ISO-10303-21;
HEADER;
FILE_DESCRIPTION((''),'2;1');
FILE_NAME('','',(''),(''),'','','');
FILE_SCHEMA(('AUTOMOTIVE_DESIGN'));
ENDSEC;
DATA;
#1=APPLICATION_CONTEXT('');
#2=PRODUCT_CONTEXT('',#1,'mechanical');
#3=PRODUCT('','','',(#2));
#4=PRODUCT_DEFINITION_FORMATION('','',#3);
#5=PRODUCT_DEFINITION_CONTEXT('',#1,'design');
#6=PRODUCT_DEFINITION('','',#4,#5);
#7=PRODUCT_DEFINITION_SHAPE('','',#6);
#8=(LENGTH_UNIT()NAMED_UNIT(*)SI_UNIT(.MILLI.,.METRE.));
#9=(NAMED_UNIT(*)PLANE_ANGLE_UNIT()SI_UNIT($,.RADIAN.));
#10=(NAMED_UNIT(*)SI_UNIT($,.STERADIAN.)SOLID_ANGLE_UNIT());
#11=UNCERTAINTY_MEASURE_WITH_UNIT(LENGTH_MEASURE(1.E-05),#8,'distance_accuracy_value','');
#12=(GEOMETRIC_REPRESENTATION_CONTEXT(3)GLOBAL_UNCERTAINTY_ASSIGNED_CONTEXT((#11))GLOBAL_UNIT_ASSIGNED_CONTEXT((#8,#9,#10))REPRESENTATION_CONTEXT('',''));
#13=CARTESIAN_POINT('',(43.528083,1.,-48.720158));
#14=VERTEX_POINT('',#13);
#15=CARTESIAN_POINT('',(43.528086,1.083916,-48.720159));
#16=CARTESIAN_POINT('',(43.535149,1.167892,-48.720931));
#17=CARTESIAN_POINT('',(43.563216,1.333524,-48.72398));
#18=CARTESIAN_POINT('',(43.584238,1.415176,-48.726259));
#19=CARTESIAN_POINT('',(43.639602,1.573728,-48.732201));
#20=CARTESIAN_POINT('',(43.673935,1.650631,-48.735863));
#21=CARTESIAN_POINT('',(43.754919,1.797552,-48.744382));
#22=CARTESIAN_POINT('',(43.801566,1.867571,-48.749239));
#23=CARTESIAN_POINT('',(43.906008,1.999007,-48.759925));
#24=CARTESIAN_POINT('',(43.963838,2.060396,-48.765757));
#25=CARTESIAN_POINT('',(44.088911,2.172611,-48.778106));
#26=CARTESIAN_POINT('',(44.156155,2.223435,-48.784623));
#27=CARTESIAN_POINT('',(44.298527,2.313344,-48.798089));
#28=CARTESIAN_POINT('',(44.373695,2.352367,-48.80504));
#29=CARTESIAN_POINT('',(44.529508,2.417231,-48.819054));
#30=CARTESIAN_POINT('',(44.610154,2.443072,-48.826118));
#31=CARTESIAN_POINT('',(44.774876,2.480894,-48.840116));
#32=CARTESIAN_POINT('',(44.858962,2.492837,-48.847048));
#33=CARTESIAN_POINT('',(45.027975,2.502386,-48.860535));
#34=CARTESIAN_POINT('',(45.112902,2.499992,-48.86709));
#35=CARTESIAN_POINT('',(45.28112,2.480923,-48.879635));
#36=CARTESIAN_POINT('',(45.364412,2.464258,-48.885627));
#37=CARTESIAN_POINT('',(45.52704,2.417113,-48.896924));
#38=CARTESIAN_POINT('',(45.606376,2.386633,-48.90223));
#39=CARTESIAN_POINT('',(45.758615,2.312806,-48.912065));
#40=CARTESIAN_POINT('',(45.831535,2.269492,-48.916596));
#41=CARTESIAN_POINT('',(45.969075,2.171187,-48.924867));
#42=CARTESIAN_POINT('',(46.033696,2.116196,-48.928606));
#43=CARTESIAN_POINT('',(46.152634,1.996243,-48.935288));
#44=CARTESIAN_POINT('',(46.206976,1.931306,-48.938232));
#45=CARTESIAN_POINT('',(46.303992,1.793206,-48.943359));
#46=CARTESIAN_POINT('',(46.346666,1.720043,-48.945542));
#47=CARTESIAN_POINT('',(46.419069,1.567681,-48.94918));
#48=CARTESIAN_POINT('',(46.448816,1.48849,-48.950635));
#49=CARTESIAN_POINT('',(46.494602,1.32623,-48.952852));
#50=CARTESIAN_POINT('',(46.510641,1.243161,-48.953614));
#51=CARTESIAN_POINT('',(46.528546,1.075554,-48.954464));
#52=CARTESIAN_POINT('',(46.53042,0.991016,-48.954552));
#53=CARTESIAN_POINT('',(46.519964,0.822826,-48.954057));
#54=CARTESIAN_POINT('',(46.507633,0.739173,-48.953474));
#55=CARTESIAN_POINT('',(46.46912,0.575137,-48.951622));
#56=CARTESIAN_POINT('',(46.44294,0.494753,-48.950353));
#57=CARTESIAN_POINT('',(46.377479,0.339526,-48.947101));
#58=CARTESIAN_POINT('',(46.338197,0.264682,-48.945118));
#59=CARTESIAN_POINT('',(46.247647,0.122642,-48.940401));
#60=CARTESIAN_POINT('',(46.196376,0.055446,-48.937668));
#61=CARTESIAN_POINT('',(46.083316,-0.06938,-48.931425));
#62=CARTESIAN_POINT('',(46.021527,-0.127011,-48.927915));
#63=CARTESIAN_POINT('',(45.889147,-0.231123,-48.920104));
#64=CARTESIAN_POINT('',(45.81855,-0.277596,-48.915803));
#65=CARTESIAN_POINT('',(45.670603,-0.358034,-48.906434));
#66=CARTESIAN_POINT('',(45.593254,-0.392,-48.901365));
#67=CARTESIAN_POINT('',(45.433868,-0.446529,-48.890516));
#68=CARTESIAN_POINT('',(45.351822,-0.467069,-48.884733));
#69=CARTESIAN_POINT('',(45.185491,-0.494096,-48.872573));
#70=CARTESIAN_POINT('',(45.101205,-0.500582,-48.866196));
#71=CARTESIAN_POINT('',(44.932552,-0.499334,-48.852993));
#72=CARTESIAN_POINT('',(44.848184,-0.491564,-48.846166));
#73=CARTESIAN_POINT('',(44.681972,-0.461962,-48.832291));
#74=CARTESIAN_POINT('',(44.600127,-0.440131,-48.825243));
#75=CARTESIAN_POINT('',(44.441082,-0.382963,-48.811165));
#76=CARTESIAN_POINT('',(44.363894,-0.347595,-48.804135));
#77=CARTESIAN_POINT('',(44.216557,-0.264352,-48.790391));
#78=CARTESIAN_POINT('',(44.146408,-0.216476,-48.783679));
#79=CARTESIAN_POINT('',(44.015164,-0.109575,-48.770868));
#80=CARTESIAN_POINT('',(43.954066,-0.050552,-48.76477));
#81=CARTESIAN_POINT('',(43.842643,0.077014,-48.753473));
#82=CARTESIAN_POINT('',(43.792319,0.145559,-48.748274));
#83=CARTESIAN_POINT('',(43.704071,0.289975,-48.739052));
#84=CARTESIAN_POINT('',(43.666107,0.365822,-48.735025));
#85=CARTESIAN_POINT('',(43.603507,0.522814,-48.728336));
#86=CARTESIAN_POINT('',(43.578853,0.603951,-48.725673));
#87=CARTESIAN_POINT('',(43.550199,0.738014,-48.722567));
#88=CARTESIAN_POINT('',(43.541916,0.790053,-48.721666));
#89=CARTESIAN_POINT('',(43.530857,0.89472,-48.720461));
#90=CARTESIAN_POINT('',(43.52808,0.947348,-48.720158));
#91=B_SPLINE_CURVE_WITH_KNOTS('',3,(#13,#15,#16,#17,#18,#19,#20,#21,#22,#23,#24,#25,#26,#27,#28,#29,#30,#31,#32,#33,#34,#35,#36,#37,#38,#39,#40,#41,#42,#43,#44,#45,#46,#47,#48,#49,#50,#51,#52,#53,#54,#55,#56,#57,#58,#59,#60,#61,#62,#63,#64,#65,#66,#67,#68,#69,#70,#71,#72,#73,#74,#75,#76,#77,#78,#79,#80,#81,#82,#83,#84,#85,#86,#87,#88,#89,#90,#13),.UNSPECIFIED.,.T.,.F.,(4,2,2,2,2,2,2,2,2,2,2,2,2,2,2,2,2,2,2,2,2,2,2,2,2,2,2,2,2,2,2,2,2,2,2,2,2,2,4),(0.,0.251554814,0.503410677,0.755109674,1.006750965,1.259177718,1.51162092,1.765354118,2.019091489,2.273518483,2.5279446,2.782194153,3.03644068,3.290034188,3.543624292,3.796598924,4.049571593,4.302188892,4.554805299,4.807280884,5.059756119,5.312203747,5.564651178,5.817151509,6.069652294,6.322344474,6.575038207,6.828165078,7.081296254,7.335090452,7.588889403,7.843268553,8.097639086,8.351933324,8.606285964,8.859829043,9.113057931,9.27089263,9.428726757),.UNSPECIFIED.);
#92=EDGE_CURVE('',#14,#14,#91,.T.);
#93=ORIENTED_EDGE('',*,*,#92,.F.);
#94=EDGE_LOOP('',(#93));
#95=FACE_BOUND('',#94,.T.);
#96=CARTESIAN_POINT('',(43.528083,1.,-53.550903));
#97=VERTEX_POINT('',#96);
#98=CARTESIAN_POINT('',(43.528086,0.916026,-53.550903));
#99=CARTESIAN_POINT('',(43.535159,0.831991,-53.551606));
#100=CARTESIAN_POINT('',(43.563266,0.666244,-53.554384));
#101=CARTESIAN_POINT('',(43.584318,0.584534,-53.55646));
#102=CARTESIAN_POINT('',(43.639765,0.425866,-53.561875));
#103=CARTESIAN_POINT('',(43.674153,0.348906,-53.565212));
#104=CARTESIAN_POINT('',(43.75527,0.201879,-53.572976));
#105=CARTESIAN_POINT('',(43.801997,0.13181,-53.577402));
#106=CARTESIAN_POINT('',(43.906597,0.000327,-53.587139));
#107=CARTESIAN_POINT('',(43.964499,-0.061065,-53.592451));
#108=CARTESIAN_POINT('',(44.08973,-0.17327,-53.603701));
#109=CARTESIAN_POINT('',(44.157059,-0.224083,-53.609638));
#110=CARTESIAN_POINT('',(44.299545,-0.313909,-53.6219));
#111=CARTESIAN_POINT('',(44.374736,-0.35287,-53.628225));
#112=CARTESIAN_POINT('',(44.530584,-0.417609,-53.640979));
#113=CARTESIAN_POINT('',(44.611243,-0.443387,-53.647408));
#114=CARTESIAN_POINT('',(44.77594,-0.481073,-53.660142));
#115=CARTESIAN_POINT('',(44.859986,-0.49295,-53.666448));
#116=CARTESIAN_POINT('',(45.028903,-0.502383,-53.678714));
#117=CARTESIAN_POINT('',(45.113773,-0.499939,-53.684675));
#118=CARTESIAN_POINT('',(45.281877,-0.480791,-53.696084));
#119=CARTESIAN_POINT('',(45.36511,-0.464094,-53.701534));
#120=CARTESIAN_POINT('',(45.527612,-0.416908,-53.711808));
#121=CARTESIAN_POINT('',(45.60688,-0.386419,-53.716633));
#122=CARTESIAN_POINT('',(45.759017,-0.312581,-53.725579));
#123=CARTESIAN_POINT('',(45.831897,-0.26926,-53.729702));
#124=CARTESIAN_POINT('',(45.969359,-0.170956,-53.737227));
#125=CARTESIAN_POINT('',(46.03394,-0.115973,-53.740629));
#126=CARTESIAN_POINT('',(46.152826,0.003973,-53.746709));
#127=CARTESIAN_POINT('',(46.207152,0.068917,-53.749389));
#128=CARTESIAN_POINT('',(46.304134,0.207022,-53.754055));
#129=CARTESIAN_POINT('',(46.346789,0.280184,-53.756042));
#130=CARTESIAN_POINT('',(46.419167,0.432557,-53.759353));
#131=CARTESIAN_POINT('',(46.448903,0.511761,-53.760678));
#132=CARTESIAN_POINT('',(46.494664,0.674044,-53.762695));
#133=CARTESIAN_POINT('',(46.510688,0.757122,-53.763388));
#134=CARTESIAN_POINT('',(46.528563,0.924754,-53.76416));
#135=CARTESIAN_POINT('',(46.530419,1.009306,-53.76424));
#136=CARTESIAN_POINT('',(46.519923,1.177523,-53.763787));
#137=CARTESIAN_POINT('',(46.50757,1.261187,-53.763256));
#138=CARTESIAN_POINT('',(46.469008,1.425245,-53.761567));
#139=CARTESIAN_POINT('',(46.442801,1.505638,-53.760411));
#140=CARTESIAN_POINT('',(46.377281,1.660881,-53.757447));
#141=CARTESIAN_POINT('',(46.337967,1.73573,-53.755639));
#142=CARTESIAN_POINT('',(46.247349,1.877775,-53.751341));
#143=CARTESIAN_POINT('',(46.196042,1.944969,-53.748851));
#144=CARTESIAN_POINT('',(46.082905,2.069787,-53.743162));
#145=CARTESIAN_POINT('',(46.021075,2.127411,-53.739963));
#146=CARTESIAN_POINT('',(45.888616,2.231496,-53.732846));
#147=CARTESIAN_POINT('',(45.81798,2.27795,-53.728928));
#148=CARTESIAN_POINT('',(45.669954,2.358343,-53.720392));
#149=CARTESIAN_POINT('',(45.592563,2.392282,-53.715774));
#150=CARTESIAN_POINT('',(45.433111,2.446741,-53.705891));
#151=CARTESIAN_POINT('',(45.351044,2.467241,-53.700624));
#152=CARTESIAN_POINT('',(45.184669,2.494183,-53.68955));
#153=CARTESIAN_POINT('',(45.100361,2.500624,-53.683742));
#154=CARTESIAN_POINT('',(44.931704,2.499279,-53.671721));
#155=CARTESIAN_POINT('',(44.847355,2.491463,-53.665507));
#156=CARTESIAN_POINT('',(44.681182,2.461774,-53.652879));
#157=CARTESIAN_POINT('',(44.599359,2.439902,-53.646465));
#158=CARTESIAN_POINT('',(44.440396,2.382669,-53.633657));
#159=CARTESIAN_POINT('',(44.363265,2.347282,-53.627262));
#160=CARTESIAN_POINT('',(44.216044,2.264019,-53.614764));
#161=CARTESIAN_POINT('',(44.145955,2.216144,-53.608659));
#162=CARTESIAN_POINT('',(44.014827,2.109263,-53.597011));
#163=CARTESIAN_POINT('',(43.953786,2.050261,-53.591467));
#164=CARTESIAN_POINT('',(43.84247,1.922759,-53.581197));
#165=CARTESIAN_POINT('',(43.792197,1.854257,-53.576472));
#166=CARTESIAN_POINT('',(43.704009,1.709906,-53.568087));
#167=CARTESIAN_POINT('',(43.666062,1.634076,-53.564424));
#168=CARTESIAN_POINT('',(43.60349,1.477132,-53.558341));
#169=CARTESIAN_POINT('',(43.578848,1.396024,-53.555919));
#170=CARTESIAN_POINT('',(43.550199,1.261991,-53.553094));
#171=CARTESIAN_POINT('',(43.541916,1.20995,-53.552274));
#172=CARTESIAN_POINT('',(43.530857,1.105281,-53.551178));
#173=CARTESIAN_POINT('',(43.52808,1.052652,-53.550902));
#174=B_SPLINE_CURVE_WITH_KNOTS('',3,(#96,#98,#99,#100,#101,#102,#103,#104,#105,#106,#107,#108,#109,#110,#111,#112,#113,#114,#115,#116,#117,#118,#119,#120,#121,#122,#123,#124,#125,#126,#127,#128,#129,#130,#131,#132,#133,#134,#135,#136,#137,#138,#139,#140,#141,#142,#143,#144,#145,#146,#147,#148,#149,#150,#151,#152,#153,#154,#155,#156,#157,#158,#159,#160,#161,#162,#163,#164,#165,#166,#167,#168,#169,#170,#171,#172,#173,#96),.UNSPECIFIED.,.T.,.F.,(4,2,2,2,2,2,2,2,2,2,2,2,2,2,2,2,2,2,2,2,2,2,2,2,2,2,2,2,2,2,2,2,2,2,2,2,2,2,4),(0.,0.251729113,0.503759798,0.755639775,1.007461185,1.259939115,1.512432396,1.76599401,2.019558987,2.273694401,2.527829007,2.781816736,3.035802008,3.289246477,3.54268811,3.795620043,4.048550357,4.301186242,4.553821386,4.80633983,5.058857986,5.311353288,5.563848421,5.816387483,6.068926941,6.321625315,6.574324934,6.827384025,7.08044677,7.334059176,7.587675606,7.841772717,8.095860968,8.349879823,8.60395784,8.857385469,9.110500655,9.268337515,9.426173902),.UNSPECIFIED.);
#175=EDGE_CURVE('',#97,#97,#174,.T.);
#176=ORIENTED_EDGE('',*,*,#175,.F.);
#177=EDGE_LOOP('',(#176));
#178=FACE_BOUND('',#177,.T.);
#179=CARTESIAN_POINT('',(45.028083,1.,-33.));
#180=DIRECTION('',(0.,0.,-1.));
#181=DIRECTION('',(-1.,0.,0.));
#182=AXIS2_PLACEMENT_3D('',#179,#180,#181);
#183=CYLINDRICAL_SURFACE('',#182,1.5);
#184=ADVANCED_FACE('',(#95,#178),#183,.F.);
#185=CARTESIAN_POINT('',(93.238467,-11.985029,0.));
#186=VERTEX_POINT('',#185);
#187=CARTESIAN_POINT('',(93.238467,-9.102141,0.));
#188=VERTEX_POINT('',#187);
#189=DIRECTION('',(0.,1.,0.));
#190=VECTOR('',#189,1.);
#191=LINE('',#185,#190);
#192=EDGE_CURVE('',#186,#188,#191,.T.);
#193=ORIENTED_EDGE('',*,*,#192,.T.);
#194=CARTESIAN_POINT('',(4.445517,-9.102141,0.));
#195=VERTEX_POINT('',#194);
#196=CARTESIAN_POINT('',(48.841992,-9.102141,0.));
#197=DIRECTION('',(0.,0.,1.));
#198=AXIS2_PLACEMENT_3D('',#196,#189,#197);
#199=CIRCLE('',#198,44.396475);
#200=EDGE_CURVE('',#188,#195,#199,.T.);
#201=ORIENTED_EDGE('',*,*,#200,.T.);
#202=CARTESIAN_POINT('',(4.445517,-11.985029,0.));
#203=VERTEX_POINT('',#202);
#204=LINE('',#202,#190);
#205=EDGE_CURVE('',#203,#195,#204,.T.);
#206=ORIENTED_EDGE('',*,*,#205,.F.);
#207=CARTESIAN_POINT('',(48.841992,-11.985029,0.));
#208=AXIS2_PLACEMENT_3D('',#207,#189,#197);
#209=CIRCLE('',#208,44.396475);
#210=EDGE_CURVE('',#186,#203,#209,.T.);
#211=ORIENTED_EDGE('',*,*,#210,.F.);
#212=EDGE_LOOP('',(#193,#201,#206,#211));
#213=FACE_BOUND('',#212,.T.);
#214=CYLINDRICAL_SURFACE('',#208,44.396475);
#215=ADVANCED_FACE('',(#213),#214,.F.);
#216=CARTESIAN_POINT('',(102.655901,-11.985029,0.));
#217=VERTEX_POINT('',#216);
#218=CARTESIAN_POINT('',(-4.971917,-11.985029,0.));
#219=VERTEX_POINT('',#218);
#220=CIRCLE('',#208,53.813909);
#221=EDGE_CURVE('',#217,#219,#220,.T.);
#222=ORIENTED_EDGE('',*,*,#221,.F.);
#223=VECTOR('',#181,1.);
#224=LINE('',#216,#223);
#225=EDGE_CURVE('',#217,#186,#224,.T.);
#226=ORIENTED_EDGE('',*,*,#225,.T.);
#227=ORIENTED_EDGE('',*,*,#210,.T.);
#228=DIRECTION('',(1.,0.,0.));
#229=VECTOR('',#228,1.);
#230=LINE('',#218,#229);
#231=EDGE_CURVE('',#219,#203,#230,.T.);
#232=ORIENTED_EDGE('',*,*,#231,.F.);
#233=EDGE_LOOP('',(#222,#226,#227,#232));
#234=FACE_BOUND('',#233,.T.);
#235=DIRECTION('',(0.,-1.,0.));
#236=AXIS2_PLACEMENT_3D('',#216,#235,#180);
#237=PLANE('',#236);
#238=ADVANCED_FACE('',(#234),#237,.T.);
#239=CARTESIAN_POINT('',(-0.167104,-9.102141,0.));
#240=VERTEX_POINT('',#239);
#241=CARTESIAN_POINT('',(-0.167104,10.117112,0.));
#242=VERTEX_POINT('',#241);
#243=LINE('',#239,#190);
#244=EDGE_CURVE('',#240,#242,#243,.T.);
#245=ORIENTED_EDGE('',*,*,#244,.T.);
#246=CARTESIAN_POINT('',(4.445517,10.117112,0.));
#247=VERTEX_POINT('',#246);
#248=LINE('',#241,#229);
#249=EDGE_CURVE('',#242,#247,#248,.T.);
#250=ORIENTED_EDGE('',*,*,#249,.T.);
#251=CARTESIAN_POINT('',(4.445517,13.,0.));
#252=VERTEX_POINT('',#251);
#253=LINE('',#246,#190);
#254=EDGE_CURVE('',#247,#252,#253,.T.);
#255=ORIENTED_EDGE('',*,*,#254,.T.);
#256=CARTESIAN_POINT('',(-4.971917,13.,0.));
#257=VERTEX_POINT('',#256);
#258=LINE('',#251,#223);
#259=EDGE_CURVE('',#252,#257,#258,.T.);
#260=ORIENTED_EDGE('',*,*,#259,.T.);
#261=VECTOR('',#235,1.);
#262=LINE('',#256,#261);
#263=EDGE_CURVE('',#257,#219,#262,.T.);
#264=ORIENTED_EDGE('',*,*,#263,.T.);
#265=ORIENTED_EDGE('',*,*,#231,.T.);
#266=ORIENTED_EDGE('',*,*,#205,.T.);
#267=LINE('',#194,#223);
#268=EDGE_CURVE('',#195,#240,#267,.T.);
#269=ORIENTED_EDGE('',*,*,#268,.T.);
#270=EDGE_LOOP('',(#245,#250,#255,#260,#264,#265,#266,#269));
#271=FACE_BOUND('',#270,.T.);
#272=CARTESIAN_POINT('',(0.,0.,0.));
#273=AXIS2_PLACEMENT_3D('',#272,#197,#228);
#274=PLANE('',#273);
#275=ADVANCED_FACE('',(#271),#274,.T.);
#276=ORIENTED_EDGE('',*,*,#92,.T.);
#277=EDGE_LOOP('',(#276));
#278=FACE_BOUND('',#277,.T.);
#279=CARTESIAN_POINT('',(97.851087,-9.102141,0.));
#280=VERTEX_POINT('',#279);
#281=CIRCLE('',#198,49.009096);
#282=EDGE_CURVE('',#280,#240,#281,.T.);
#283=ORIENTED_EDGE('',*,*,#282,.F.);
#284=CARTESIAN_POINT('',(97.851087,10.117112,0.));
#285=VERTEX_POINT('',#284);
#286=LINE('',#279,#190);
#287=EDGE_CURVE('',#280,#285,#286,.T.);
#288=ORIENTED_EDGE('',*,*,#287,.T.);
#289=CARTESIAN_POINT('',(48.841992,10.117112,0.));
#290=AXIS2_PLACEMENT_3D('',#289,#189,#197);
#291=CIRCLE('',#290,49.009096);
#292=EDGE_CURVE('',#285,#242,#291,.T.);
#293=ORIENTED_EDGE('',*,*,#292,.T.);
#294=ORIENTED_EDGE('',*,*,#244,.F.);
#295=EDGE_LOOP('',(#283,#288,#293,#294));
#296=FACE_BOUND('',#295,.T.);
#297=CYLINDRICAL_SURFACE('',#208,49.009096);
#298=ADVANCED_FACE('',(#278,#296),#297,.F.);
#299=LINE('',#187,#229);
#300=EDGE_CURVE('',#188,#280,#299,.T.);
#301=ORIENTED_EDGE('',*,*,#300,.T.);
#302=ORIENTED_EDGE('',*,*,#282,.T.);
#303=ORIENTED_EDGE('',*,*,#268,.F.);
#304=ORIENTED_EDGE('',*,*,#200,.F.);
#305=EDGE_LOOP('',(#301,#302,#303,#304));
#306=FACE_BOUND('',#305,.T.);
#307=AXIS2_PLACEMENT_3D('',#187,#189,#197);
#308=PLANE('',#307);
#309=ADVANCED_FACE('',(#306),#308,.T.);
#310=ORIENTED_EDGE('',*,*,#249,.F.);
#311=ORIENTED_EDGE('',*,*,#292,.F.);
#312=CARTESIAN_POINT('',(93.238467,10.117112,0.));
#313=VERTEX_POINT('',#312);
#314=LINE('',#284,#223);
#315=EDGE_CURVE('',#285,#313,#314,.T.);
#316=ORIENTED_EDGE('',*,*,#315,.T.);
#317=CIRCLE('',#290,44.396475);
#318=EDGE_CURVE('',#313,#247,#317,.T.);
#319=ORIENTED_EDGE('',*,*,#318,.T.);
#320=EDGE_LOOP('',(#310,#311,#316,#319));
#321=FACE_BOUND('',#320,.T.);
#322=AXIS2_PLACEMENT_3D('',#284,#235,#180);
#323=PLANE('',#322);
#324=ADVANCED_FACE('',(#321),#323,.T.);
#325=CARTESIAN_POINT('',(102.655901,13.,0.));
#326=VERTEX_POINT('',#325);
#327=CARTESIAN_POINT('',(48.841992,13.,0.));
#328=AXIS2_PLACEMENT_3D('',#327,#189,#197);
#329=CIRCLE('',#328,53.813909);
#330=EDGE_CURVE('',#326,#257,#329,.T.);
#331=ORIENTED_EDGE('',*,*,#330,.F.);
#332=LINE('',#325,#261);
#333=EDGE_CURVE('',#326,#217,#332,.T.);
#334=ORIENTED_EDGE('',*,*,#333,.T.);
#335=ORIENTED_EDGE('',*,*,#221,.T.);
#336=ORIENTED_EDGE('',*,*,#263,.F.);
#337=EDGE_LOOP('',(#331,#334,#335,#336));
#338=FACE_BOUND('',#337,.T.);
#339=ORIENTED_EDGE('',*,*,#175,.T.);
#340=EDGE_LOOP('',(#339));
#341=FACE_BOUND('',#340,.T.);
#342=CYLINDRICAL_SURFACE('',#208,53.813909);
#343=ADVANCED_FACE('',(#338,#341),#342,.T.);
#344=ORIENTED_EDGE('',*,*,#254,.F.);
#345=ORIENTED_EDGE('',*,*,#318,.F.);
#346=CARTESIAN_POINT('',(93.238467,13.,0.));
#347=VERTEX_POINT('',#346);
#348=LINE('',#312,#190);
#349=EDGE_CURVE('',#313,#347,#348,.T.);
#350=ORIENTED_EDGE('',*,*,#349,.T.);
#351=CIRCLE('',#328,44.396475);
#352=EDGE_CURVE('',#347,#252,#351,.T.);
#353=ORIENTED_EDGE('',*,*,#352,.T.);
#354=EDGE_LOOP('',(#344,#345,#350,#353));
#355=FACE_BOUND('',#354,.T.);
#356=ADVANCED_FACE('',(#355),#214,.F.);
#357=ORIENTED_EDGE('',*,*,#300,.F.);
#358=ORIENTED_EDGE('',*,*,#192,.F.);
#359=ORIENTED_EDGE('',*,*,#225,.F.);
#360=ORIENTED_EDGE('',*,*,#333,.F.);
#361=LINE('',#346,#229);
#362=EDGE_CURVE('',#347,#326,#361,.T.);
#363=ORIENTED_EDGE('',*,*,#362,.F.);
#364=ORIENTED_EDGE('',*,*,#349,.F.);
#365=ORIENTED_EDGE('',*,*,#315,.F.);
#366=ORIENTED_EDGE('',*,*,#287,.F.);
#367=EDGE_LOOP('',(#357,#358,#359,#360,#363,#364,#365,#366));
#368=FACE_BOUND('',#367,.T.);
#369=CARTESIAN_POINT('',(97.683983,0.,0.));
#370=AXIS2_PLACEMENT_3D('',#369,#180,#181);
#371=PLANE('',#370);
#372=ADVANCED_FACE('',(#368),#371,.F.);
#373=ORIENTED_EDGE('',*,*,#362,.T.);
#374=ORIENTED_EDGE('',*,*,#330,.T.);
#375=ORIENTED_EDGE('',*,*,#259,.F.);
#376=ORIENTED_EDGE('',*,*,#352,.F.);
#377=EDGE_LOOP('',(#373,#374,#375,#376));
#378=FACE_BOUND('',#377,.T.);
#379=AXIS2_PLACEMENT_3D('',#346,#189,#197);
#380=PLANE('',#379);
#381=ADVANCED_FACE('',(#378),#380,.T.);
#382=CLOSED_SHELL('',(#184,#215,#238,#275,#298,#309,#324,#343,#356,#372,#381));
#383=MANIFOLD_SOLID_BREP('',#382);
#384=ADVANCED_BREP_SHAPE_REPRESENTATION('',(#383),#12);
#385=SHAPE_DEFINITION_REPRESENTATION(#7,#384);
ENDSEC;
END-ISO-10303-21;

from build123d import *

# Parameters (mm, degrees)
REVOLVE1_ANGLE     = 180
SKETCH2_R          = 1.5
CUT_EXTRUDE1_DEPTH = 21


with BuildPart() as part:
    # Sketch1 → Revolve1 (revolve)
    with BuildSketch(Plane.XY):
        Polygon((-4.971917279, -11.985029192), (4.445516801, -11.985029192), (4.445516801, -9.102141208), (-0.167103973, -9.102141208), (-0.167103973, 10.117112016), (4.445516801, 10.117112016), (4.445516801, 13), (-4.971917279, 13), align=None)
    revolve(axis=Axis((48.841991749, -11.985029192, 0), (0, -1, 0)), revolution_arc=REVOLVE1_ANGLE)

    # Sketch2 → Cut-Extrude1 (cut)
    with BuildSketch(Plane.XY.offset(-54)):
        with Locations(Location((45.028082721, 1, 0), (0, 0, 180))):
            Circle(SKETCH2_R)
    extrude(amount=CUT_EXTRUDE1_DEPTH, mode=Mode.SUBTRACT)


solid = part.part
